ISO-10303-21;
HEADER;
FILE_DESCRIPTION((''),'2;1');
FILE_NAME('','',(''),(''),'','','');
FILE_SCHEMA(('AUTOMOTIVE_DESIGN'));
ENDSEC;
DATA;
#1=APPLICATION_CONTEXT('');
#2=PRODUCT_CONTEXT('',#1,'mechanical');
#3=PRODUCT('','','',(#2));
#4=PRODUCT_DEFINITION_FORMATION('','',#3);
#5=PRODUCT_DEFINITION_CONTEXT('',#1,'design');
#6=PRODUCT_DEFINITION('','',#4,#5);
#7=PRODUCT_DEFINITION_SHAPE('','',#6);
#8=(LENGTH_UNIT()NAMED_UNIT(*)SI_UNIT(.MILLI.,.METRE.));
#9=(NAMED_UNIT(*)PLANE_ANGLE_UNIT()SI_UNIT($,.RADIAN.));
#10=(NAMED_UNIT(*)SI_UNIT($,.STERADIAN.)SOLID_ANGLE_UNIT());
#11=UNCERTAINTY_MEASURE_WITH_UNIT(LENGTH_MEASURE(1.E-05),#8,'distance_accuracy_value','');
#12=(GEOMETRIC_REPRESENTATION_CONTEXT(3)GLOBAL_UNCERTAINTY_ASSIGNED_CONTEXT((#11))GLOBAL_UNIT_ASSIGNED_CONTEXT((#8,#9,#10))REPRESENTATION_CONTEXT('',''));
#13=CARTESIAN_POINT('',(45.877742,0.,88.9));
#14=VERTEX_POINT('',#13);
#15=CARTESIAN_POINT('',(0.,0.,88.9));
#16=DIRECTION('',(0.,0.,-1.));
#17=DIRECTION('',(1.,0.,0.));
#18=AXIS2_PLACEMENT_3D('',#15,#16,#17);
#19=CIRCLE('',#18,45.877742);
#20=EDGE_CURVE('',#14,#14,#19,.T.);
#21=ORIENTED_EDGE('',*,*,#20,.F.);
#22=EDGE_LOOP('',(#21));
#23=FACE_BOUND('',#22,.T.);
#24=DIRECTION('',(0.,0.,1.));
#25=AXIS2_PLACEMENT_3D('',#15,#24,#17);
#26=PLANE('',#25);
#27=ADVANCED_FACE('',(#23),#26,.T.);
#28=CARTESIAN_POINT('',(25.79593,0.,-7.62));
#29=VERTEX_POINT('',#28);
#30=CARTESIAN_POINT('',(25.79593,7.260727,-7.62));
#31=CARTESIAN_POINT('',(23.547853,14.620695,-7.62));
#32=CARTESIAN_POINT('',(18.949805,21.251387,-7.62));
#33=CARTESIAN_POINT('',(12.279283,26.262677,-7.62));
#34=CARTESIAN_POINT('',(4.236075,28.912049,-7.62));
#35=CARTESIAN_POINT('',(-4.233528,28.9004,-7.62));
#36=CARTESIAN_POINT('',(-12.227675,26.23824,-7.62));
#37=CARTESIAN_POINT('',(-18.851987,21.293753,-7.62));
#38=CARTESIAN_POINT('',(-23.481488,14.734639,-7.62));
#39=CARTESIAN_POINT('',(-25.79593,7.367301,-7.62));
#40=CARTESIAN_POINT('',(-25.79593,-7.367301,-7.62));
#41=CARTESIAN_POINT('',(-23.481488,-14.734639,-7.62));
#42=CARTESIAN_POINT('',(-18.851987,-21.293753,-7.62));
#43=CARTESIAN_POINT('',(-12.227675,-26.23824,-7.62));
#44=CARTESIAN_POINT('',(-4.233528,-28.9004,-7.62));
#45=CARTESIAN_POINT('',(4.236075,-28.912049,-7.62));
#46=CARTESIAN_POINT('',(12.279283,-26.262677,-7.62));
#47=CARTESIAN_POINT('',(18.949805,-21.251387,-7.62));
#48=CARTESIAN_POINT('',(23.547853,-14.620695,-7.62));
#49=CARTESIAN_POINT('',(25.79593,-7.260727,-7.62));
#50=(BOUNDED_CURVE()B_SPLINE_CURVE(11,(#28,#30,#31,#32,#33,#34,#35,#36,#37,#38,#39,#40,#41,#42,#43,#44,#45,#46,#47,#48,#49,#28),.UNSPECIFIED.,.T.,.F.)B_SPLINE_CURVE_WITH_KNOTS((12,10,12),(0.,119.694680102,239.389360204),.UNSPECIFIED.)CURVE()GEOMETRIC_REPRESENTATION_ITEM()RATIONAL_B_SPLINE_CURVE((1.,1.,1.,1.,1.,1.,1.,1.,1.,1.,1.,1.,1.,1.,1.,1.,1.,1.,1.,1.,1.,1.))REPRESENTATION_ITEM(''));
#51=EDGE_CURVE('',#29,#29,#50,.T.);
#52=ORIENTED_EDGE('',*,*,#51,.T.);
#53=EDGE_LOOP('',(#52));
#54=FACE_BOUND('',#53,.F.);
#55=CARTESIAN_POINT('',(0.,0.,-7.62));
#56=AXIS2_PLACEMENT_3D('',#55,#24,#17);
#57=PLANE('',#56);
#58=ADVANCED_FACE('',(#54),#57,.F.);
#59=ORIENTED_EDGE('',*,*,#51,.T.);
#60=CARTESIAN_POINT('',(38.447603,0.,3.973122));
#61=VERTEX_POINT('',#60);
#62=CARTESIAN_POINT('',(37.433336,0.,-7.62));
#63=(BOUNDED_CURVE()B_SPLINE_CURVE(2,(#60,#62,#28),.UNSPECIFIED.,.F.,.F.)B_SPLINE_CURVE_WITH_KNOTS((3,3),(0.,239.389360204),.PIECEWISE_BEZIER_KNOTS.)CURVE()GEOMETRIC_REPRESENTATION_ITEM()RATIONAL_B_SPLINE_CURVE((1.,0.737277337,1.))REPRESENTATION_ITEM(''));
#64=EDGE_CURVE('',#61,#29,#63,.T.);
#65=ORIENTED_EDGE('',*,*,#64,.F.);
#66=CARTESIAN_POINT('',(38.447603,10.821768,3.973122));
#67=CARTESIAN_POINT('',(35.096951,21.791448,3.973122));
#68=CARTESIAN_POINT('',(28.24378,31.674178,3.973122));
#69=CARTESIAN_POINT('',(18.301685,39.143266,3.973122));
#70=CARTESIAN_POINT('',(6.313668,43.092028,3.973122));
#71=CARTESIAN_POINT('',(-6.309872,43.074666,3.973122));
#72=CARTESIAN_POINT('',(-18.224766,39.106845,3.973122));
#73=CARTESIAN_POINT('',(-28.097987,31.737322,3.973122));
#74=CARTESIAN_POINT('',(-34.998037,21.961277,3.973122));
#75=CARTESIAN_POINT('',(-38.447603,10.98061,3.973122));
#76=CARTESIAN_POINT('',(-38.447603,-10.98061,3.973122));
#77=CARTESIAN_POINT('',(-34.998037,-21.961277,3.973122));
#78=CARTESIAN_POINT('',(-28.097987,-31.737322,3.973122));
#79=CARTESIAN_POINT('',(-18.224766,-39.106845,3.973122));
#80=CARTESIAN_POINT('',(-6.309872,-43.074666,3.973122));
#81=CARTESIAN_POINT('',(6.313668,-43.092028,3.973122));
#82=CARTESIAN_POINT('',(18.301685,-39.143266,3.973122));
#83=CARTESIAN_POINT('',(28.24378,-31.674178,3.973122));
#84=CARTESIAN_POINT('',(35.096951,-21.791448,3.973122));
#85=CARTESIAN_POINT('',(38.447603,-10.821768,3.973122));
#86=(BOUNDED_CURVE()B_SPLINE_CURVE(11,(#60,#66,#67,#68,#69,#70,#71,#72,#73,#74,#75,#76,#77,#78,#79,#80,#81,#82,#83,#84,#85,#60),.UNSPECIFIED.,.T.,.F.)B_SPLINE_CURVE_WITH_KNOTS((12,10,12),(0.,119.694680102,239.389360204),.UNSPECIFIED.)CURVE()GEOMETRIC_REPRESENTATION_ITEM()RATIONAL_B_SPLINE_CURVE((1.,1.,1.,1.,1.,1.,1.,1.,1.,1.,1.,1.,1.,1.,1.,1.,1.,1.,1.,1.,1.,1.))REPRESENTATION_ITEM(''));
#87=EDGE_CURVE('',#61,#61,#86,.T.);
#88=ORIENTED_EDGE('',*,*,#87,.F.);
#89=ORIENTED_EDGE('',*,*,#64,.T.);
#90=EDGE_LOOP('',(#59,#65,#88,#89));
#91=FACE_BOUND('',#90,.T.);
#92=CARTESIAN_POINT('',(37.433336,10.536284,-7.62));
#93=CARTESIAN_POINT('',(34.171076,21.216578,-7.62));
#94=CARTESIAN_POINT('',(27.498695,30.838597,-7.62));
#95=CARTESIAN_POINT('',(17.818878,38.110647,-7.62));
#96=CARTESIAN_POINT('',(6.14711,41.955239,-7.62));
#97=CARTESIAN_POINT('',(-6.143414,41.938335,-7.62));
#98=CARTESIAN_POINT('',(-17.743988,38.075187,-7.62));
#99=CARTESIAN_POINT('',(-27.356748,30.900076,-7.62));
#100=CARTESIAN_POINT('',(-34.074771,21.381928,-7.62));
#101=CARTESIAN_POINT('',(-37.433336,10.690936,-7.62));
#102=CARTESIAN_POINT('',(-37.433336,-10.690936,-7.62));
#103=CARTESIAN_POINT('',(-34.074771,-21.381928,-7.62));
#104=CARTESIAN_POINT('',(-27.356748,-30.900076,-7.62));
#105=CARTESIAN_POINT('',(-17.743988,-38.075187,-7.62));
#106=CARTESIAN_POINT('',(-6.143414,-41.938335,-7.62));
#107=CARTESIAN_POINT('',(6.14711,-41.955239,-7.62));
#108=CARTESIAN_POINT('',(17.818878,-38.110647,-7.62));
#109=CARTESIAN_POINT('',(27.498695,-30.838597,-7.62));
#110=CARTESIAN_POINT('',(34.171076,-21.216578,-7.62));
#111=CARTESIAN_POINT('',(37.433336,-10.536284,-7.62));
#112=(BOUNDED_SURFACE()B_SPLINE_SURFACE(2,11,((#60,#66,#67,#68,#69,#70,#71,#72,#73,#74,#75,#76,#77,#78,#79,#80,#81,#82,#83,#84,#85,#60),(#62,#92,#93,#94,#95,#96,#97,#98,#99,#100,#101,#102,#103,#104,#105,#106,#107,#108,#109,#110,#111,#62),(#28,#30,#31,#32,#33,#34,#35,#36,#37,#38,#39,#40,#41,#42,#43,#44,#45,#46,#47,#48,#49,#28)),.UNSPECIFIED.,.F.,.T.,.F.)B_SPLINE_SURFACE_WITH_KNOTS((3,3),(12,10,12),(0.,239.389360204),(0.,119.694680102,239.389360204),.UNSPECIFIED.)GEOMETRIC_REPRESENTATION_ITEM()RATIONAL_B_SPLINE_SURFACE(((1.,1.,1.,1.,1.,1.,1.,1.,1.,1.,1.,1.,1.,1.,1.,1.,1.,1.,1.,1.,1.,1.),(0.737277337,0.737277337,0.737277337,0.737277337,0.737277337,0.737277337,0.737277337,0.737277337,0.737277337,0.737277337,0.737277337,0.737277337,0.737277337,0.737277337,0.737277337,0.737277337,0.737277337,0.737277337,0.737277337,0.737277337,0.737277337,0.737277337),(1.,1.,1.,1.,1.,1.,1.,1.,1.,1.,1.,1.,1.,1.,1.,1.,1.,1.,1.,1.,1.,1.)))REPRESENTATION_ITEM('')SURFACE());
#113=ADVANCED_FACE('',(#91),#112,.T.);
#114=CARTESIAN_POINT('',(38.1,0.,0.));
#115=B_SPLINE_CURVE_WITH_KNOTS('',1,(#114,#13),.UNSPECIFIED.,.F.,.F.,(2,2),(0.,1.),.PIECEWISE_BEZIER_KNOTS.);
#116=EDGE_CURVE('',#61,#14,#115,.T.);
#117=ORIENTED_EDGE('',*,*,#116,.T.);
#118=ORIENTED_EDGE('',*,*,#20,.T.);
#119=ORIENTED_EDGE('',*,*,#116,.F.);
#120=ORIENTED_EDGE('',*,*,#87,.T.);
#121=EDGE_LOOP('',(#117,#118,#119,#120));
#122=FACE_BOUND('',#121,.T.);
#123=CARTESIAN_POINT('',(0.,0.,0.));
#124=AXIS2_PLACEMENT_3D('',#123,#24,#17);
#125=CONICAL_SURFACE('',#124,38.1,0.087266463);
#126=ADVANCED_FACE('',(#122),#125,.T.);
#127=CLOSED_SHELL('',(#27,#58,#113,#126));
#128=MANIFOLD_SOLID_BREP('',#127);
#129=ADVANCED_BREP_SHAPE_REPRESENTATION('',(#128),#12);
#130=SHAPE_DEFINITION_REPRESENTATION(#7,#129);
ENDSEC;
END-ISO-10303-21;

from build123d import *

# Parameters (mm, degrees)
F0_R          = 38.1
F1_DEPTH      = 88.9
F1_TAPER      = -5
F1_DEPTH_BACK = 7.62
F2_R          = 12.7


with BuildPart() as f1:
    # F0 (on Top) → F1 (new body, two sides)
    with BuildSketch(Plane.XY) as f1_sk:
        Circle(F0_R)
    extrude(amount=F1_DEPTH, taper=F1_TAPER)
    extrude(f1_sk.sketch, amount=-F1_DEPTH_BACK)

    # F2
    f2_edges = [f1.edges().sort_by_distance(p)[0] for p in [
        (-38.1, 0, -7.62),
    ]]
    fillet(f2_edges, radius=F2_R)


solid = f1.part
